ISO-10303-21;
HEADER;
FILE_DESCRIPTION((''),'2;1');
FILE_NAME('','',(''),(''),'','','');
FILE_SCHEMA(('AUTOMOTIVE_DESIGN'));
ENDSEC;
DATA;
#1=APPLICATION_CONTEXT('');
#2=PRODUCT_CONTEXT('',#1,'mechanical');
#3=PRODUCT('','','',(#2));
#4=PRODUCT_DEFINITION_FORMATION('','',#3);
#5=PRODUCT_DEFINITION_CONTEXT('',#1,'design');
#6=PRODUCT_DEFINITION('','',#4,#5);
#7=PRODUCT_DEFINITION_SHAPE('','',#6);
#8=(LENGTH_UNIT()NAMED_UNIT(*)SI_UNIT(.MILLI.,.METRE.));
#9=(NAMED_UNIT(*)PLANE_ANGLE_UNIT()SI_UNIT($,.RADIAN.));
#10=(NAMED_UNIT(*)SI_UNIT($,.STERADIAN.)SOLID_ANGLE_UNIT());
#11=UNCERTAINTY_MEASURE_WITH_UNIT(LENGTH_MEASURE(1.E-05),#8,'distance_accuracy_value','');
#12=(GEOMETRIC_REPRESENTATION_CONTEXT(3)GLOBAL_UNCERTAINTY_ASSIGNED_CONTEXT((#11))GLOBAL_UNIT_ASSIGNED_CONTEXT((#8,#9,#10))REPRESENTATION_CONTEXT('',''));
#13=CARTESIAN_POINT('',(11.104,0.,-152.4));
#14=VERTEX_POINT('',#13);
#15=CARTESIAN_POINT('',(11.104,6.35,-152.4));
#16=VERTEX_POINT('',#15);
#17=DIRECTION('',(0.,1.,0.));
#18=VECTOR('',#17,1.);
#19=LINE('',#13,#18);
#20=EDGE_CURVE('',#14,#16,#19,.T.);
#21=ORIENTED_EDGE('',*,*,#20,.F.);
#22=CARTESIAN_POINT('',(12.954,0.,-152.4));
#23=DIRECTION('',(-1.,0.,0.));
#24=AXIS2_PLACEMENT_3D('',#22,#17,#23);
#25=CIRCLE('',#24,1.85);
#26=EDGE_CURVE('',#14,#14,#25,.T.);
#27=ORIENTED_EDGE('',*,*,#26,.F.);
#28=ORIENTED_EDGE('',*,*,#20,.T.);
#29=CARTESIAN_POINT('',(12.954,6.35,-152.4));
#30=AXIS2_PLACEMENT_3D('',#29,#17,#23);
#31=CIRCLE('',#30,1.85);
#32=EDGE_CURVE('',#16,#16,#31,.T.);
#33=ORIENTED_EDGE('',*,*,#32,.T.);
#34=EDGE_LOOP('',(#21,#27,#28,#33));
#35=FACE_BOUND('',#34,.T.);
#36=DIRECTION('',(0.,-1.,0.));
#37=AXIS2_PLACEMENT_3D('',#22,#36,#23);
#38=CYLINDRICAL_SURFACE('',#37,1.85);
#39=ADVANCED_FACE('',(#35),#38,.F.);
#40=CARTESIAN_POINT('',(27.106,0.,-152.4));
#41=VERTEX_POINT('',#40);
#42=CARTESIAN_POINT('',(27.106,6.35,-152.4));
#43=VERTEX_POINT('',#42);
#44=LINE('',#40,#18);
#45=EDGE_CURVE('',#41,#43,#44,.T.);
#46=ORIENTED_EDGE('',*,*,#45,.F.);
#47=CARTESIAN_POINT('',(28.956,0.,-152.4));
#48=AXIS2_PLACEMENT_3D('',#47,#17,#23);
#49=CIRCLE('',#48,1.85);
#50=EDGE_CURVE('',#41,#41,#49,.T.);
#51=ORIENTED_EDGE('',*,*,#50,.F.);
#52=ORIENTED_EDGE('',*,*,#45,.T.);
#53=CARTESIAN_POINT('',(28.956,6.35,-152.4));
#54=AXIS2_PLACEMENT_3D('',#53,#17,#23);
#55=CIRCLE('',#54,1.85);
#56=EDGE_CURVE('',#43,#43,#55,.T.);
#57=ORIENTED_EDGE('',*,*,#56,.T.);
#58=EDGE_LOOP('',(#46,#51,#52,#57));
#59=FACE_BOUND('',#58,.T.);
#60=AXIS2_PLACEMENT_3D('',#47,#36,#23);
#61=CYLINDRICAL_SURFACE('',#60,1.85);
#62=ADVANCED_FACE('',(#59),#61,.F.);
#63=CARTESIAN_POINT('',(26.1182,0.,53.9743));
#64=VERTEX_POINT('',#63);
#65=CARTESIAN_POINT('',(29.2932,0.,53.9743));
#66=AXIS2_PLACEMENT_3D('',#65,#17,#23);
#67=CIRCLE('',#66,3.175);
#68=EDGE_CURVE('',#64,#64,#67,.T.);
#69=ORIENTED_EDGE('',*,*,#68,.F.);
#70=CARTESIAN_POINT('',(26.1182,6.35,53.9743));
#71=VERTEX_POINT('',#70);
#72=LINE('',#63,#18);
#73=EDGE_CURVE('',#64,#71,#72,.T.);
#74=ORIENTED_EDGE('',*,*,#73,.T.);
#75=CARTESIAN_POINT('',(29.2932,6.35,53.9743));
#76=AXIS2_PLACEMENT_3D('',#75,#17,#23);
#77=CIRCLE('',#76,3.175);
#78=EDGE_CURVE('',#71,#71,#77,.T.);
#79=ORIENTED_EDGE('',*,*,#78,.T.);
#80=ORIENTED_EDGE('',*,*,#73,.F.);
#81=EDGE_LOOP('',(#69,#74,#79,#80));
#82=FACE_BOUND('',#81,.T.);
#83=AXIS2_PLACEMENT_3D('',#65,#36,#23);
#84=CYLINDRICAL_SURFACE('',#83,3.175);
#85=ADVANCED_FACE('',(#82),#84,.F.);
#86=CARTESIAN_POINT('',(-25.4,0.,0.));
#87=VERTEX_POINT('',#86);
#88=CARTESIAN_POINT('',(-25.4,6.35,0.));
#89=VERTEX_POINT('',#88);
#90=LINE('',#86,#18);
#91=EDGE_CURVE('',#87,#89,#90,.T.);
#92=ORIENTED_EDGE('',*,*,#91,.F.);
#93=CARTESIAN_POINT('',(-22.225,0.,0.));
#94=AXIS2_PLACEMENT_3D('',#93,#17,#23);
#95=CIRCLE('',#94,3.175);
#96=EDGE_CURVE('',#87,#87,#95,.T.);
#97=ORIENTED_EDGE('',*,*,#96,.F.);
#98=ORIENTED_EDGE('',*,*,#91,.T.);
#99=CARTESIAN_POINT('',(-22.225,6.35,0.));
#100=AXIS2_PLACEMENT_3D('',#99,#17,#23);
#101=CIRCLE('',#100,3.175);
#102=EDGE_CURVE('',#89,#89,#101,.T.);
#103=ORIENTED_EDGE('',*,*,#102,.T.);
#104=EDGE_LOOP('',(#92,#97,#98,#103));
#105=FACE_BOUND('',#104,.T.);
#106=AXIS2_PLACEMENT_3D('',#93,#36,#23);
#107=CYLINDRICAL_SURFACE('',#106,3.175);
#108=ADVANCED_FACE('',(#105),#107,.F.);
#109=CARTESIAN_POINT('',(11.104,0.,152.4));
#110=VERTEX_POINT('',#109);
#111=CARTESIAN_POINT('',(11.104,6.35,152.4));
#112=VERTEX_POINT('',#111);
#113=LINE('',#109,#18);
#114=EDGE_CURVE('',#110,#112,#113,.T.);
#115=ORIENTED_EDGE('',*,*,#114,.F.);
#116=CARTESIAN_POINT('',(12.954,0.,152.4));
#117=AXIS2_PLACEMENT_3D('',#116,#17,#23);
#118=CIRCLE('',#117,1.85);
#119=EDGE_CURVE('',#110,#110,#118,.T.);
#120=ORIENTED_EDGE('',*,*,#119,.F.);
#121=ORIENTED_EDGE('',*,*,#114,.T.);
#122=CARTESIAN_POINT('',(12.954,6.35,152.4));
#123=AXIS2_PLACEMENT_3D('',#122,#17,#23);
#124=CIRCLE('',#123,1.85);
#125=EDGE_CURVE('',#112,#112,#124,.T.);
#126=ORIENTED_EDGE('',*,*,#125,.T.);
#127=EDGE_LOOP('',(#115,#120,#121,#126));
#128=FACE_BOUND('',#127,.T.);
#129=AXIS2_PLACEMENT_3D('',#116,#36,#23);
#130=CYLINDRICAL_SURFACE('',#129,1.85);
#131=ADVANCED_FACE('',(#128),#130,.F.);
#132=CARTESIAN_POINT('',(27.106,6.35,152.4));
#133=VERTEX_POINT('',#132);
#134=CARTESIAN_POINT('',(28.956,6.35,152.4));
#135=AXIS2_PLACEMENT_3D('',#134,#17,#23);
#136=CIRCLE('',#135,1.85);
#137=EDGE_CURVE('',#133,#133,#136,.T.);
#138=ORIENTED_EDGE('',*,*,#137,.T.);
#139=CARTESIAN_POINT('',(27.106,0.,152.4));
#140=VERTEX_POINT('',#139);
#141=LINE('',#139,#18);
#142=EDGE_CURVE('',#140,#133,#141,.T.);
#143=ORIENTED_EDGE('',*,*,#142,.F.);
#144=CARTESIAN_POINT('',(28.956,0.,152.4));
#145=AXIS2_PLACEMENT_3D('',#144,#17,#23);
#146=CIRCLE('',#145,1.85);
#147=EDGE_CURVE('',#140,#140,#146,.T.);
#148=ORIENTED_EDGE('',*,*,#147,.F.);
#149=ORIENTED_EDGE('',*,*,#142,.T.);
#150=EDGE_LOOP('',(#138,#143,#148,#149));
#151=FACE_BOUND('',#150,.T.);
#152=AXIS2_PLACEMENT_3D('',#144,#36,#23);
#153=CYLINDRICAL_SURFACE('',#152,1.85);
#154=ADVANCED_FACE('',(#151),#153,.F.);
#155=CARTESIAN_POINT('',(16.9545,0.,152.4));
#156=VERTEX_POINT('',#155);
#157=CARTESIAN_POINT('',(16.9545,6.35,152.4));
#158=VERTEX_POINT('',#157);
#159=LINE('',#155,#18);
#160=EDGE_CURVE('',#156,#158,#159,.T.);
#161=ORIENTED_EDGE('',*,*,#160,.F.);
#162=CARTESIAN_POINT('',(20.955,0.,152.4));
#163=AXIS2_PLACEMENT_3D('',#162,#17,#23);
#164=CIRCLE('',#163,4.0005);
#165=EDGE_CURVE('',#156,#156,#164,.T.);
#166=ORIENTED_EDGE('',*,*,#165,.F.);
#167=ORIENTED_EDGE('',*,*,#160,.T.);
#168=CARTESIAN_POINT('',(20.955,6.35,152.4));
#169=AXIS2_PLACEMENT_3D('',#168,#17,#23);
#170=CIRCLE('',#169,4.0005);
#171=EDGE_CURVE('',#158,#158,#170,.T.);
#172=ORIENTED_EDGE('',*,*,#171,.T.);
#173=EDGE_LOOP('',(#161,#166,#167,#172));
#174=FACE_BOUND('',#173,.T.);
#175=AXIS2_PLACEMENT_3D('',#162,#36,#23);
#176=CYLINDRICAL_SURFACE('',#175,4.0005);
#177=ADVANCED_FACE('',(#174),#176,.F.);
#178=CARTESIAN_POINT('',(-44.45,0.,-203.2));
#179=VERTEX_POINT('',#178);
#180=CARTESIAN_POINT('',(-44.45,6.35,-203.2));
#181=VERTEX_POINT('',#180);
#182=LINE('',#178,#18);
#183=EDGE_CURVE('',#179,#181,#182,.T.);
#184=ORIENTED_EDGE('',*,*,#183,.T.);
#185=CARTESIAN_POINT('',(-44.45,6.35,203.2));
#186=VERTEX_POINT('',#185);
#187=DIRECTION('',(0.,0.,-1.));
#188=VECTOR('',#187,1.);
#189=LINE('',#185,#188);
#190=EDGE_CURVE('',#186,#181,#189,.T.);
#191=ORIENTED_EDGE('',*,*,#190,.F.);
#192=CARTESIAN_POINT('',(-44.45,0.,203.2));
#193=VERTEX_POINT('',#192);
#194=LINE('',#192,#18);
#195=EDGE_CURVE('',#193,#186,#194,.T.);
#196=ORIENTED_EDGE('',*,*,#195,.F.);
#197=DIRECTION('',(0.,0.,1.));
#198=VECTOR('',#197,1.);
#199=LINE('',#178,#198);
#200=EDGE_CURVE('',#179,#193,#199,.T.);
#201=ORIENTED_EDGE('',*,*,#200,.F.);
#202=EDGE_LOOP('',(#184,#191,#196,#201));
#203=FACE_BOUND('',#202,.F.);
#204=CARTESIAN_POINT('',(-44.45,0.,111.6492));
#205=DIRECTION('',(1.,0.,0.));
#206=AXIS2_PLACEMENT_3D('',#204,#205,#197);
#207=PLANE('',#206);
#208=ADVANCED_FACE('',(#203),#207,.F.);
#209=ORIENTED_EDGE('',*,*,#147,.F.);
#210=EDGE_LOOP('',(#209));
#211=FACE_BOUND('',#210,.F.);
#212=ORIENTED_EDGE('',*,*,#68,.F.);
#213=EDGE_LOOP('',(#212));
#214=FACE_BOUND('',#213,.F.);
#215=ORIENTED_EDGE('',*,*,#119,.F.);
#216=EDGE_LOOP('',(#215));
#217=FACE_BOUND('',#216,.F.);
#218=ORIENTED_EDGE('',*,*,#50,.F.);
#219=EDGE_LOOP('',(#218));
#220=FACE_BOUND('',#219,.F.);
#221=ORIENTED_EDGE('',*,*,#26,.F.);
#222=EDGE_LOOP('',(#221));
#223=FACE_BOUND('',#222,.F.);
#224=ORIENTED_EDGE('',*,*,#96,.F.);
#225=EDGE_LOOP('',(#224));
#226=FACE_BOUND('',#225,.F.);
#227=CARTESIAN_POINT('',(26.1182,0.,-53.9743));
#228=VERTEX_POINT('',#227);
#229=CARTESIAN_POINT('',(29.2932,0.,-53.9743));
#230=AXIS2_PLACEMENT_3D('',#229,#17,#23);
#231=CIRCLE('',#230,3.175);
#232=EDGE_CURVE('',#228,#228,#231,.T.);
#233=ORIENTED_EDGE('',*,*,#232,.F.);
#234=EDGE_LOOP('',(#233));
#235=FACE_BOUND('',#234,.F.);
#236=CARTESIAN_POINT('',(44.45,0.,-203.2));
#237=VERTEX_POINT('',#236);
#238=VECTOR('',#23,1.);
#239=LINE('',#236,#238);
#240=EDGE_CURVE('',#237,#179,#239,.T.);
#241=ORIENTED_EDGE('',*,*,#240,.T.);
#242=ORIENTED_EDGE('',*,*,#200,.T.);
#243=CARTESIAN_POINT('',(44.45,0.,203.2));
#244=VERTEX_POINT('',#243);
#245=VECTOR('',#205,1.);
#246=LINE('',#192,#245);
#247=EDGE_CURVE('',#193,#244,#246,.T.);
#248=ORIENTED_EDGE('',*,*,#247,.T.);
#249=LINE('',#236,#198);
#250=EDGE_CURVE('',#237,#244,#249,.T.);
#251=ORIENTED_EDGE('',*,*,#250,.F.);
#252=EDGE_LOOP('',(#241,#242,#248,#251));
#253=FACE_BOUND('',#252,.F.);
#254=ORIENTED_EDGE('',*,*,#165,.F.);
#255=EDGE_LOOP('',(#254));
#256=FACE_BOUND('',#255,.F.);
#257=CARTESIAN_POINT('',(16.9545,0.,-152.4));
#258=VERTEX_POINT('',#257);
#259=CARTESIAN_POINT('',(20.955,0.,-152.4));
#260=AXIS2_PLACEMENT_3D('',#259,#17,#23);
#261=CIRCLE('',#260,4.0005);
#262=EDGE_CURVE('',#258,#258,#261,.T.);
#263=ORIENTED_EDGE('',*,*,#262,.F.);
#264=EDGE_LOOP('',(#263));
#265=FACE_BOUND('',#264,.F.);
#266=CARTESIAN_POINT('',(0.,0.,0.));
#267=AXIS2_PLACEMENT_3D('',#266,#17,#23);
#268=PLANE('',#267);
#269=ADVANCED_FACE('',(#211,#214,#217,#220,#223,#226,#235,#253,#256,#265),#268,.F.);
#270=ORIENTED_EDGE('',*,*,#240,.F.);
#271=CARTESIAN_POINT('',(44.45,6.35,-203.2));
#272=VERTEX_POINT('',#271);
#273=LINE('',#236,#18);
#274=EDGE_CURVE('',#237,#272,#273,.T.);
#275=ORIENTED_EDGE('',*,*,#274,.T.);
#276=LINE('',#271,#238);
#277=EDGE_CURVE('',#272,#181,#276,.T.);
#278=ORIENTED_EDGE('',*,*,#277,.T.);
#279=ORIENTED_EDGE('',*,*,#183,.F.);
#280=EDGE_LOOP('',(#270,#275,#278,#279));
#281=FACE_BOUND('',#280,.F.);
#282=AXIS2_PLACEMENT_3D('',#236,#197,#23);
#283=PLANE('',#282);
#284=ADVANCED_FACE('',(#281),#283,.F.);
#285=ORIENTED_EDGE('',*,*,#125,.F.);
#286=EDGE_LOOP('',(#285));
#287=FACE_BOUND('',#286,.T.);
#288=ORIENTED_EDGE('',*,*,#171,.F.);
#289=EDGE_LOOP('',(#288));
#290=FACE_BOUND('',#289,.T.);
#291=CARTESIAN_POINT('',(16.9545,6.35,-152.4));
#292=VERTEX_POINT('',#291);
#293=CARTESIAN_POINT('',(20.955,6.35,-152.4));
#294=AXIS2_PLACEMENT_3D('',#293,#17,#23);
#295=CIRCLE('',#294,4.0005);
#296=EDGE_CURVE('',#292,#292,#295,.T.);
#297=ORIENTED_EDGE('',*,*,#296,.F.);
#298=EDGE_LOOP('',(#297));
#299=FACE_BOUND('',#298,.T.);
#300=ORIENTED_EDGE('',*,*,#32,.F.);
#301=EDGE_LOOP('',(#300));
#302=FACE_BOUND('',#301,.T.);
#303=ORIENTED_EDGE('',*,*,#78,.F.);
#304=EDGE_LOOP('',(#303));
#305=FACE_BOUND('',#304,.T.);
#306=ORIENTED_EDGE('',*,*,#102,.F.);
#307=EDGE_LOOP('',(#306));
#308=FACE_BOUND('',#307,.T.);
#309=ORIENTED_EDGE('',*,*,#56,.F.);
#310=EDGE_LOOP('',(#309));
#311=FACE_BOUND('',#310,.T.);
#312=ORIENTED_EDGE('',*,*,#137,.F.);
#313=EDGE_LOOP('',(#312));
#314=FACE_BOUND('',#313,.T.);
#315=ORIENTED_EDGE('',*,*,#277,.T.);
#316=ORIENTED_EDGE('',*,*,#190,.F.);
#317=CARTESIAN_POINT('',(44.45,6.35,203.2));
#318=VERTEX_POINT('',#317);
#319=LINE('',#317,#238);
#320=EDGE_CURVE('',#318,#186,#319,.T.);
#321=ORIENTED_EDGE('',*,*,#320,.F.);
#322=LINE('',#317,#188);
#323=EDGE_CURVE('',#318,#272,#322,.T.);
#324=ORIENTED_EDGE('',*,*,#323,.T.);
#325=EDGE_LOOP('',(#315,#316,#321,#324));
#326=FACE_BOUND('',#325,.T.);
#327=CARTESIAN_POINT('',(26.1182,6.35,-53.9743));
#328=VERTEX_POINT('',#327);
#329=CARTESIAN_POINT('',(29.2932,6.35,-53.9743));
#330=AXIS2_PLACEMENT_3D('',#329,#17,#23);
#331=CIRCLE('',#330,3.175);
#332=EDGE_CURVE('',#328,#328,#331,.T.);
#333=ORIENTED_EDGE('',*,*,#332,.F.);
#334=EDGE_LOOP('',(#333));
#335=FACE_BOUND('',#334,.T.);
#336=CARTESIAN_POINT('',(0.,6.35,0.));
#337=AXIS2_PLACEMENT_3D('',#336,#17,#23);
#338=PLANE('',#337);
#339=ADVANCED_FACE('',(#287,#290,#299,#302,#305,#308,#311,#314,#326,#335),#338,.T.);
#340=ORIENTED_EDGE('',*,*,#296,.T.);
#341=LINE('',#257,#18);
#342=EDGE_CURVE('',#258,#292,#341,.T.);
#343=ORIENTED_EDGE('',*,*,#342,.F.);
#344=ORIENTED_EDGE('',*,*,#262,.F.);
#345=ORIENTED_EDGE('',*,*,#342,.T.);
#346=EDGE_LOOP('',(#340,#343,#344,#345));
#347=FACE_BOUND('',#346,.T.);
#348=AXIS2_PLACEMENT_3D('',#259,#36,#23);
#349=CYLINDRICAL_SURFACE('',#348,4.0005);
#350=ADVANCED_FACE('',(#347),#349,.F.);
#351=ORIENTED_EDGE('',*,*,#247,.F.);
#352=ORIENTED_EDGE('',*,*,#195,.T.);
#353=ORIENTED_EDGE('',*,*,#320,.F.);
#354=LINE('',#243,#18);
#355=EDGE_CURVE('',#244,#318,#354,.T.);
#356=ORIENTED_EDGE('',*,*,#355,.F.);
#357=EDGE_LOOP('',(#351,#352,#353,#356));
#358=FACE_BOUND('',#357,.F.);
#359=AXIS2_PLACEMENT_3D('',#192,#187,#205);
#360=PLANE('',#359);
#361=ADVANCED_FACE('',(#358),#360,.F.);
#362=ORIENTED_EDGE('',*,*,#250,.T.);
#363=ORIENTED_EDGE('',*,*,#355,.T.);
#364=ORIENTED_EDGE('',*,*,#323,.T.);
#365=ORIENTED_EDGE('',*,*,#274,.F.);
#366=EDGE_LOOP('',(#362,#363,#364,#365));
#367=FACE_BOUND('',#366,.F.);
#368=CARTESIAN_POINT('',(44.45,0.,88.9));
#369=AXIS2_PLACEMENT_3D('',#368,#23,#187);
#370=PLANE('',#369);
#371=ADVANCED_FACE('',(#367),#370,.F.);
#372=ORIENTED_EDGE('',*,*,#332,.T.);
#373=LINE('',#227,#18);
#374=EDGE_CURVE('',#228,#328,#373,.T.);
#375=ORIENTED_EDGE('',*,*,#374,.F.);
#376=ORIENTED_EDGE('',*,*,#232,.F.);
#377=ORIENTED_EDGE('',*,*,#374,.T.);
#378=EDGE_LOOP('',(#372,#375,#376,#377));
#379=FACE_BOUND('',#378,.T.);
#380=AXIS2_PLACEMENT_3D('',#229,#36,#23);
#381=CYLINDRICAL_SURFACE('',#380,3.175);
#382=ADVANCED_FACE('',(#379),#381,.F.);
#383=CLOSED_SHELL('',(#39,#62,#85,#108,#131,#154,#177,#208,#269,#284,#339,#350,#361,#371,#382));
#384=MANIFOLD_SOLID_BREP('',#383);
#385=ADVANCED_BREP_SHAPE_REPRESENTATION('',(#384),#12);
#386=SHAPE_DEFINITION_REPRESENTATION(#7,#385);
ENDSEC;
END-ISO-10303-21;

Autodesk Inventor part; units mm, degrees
ref_plane "YZ Plane" through (0, 0, 0) normal (1, 0, 0) x (0, 1, 0)
ref_plane "XZ Plane" through (0, 0, 0) normal (0, 1, 0) x (-1, 0, 0)
ref_plane "XY Plane" through (0, 0, 0) normal (0, 0, 1) x (1, 0, 0)
sketch "Sketch1" plane through (0, 0, 0) normal (0, 1, 0) x (-1, 0, 0)
  line L0 (44.45, 203.2) -> (-44.45, 203.2)
  line L1 (-44.45, 203.2) -> (-44.45, -203.2)
  line L2 (-44.45, -203.2) -> (44.45, -203.2)
  line L3 (44.45, -203.2) -> (44.45, 203.2)
  line L4 (44.45, 203.2) -> (-44.45, -203.2) construction
  line L5 (-44.45, 203.2) -> (-20.955, 203.2)
  line L6 (-44.45, 88.9) -> (-44.45, 203.2)
  line L7 (44.45, 203.2) -> (44.45, 111.6492)
  line L8 (44.45, 203.2) -> (44.45, 38.1)
  line L9 (44.45, 38.1) -> (22.225, 38.1) construction
  line L10 (0, 88.9) -> (0, 203.2) construction
  line L11 (0, 203.2) -> (-66.675, 203.2)
  line L12 (-66.675, 203.2) -> (-66.675, 88.9) construction
  line L13 (-66.675, 203.2) -> (-66.675, 209.55) construction
  line L14 (-66.675, 209.55) -> (32.5679, 44.312) construction
  line L15 (-20.955, 88.9) -> (-20.955, 152.4) construction
  circle A0 centre (-20.955, 152.4) radius 8.001 construction
  circle A1 centre (-20.955, 152.4) radius 4.0005
  circle A2 centre (-20.955, 160.401) radius 1.85
  line L16 (42.545, 152.4) -> (-20.955, 152.4) construction
  circle A3 centre (-28.956, 152.4) radius 1.85
  line L17 (-20.955, 215.9) -> (-20.955, 152.4) construction
  circle A4 centre (-20.955, 144.399) radius 1.85
  line L18 (-84.455, 152.4) -> (-20.955, 152.4) construction
  circle A5 centre (-12.954, 152.4) radius 1.85
  line L19 (44.45, 0) -> (-44.45, 0) construction
  circle A6 centre (22.225, 0) radius 3.175
  circle A7 centre (-29.2932, 53.9743) radius 3.175
  line L20 (32.5679, 44.312) -> (22.7595, 60.6429) construction
  circle A8 centre (-20.955, -152.4) radius 4.0005
  circle A9 centre (-28.956, -152.4) radius 1.85
  circle A10 centre (-12.954, -152.4) radius 1.85
  circle A11 centre (-29.2932, -53.9743) radius 3.175
  point P0 (0, 0)
  point P1 (-20.955, 88.9)
  dimension "d19" = 16.002
  dimension "d0" = 88.9
  dimension "d1" = 406.4
  dimension "d5" = 165.1
  dimension "d6" = 22.225
  dimension "d10" = 6.35
  dimension "d20" = 8.001
  dimension "d21" = 3.7
  dimension "d24" = 360
  dimension "d30" = 6.35
  dimension "d31" = 6.35
  dimension "d32" = 19.05
extrude "Extrusion4" add sketch "Sketch1" along normal blind 6.35 contours L3 L2 L1 L0 | A2 | A4
properties part number "ChassisSideplate10"
